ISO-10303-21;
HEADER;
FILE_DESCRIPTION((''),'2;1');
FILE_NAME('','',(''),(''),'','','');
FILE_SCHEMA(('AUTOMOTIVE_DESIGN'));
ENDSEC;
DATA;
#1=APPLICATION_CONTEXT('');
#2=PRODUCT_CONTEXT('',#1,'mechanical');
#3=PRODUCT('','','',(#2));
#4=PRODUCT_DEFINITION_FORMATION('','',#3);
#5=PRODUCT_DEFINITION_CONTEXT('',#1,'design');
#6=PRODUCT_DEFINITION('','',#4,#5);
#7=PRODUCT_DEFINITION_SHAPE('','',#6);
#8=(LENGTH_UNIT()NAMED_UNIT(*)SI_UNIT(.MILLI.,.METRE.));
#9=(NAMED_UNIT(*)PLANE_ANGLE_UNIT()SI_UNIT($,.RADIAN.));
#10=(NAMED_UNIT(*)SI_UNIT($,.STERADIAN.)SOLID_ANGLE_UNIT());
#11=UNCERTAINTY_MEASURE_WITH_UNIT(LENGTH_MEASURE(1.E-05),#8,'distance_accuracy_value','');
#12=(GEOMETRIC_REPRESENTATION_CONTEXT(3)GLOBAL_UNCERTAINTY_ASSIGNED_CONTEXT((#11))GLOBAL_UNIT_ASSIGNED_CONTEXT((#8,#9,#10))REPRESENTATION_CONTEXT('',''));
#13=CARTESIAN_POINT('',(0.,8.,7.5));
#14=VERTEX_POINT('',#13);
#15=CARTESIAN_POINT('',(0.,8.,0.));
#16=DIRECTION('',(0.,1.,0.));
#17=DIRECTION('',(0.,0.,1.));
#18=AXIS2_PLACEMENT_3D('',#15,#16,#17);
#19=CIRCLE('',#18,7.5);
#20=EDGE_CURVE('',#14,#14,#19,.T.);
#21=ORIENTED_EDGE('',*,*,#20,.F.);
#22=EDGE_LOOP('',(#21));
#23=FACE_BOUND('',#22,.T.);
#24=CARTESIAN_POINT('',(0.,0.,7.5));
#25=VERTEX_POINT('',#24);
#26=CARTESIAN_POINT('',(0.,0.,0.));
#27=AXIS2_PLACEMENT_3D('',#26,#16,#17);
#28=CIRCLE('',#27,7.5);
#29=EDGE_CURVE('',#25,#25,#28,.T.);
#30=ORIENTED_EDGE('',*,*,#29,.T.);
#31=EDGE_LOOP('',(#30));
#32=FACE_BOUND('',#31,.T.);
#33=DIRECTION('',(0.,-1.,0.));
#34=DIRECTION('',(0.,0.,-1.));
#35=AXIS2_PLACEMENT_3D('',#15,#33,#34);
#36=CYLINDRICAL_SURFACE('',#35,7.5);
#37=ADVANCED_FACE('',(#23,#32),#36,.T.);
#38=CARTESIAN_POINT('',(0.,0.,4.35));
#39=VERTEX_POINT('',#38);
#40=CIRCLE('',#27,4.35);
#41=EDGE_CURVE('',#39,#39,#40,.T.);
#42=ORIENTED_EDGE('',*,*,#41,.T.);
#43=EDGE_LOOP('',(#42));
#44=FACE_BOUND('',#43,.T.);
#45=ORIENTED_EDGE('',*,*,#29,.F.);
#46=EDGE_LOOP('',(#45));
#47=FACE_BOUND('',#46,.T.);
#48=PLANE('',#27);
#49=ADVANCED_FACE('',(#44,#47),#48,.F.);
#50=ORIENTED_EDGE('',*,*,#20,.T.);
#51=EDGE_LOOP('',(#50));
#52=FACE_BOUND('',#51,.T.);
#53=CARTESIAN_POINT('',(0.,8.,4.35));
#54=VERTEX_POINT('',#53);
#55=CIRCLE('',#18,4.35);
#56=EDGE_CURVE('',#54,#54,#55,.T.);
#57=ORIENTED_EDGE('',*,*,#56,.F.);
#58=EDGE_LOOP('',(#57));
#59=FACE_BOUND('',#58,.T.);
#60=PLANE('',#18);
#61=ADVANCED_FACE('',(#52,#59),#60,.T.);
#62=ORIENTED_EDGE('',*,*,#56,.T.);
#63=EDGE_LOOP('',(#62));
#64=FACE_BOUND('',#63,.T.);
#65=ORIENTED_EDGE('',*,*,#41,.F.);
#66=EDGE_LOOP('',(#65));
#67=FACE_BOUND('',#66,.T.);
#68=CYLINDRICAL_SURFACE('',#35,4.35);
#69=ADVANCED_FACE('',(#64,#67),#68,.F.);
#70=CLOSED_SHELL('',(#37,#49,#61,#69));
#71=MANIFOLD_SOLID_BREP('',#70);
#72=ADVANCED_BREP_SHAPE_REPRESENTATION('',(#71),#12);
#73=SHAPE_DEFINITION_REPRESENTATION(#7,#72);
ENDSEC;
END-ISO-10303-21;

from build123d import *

# Parameters (mm, degrees)
SKETCH2_R           = 7.5
SKETCH2_R_2         = 4.35
BOSS_EXTRUDE1_DEPTH = 8


with BuildPart() as part:
    # Sketch2 → Boss-Extrude1 (new body)
    with BuildSketch(Plane(origin=(0, 0, 0), x_dir=(1, 0, 0), z_dir=(0, 1, 0))):
        Circle(SKETCH2_R)
        Circle(SKETCH2_R_2, mode=Mode.SUBTRACT)
    extrude(amount=BOSS_EXTRUDE1_DEPTH)


solid = part.part
